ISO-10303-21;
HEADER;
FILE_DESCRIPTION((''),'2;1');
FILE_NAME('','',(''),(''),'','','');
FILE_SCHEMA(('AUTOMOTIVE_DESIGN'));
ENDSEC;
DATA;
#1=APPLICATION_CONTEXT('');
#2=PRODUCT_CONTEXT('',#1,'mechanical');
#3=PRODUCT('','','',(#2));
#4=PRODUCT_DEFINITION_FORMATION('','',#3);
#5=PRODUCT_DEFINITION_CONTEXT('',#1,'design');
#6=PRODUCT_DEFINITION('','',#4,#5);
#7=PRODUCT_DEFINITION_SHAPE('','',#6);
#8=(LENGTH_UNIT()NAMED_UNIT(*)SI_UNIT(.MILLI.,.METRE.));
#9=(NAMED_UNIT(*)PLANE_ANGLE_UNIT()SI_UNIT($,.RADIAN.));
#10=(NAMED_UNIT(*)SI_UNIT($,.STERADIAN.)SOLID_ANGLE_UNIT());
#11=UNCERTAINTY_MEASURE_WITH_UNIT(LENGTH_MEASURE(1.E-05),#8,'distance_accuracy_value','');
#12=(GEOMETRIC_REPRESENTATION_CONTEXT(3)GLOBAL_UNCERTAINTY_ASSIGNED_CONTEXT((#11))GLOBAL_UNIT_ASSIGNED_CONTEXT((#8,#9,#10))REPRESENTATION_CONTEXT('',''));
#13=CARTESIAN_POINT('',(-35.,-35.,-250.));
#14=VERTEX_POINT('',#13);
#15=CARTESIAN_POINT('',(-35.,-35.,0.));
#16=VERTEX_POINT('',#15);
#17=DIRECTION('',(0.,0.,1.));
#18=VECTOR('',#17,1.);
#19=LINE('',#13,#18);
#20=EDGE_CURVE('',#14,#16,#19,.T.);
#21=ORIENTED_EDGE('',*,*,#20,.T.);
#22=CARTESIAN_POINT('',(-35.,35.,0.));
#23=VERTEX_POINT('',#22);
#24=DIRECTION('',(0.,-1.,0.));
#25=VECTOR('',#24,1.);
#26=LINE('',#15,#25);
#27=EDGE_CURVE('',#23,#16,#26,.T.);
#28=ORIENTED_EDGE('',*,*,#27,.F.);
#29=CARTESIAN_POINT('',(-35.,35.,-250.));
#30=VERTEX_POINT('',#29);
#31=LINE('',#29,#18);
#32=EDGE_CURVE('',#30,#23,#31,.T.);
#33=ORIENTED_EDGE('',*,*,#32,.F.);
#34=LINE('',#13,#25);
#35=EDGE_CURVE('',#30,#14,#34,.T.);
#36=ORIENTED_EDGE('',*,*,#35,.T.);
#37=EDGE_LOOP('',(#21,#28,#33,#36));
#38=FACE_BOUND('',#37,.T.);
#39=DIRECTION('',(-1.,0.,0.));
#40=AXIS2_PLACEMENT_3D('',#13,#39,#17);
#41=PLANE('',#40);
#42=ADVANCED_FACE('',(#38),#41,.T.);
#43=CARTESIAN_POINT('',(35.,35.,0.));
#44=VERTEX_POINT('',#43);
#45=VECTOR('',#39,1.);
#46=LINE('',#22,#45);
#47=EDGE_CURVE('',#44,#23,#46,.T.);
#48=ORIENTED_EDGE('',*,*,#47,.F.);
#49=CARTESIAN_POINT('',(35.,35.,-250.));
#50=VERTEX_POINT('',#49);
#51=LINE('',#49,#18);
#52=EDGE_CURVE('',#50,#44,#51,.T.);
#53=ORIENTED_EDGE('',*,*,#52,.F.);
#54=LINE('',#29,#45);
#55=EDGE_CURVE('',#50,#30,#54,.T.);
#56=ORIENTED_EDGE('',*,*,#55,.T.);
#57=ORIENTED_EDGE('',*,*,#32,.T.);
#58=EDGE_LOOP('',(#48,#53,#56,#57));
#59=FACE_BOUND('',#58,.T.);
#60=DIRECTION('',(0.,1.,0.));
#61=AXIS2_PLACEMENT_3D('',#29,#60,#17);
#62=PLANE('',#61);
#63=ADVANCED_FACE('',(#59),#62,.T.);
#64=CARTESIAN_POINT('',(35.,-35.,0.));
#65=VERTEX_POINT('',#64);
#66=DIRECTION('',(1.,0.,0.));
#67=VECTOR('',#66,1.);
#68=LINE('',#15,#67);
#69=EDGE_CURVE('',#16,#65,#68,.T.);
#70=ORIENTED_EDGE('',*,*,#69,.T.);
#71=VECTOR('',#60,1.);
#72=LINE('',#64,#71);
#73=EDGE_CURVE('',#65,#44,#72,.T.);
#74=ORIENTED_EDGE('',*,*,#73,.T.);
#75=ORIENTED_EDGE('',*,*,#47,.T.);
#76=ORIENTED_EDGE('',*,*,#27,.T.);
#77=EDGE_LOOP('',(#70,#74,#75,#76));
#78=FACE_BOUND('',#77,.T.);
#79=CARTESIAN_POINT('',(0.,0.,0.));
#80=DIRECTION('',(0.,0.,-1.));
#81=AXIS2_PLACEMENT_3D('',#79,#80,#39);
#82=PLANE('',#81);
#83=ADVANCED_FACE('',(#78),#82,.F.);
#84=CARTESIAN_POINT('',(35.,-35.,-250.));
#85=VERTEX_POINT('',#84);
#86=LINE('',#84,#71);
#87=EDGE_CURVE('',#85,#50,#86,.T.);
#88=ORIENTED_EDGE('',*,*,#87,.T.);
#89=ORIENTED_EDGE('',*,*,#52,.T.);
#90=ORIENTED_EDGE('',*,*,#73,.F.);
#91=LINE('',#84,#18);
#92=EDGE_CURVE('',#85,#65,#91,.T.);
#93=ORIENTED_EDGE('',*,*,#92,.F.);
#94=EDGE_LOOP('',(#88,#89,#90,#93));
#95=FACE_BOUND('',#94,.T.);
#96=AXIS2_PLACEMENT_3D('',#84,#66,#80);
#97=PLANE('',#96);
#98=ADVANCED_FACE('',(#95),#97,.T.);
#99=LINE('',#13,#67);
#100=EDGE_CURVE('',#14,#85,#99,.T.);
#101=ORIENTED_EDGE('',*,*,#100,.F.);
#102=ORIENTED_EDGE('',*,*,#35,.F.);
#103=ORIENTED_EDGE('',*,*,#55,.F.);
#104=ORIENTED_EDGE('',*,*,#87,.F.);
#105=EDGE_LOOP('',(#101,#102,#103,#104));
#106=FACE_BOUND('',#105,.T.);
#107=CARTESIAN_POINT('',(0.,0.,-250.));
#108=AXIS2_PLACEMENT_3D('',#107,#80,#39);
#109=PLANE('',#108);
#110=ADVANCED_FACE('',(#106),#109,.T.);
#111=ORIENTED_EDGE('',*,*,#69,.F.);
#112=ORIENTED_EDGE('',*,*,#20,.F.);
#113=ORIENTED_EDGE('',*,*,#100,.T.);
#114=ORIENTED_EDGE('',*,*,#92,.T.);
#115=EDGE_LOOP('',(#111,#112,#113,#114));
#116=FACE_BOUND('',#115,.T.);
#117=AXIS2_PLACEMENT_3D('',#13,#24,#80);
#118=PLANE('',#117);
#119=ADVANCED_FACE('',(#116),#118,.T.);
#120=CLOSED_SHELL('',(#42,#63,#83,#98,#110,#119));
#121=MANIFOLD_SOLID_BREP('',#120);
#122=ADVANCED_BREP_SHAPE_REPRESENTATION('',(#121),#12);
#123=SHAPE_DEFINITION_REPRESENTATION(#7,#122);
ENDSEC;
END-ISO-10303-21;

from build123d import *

# Parameters (mm, degrees)
SKETCH1_W           = 70
SKETCH1_H           = 70
BOSS_EXTRUDE1_DEPTH = 250


with BuildPart() as part:
    # Sketch1 → Boss-Extrude1 (new body)
    with BuildSketch(Plane.XY):
        Rectangle(SKETCH1_W, SKETCH1_H)
    extrude(amount=-BOSS_EXTRUDE1_DEPTH)


solid = part.part
